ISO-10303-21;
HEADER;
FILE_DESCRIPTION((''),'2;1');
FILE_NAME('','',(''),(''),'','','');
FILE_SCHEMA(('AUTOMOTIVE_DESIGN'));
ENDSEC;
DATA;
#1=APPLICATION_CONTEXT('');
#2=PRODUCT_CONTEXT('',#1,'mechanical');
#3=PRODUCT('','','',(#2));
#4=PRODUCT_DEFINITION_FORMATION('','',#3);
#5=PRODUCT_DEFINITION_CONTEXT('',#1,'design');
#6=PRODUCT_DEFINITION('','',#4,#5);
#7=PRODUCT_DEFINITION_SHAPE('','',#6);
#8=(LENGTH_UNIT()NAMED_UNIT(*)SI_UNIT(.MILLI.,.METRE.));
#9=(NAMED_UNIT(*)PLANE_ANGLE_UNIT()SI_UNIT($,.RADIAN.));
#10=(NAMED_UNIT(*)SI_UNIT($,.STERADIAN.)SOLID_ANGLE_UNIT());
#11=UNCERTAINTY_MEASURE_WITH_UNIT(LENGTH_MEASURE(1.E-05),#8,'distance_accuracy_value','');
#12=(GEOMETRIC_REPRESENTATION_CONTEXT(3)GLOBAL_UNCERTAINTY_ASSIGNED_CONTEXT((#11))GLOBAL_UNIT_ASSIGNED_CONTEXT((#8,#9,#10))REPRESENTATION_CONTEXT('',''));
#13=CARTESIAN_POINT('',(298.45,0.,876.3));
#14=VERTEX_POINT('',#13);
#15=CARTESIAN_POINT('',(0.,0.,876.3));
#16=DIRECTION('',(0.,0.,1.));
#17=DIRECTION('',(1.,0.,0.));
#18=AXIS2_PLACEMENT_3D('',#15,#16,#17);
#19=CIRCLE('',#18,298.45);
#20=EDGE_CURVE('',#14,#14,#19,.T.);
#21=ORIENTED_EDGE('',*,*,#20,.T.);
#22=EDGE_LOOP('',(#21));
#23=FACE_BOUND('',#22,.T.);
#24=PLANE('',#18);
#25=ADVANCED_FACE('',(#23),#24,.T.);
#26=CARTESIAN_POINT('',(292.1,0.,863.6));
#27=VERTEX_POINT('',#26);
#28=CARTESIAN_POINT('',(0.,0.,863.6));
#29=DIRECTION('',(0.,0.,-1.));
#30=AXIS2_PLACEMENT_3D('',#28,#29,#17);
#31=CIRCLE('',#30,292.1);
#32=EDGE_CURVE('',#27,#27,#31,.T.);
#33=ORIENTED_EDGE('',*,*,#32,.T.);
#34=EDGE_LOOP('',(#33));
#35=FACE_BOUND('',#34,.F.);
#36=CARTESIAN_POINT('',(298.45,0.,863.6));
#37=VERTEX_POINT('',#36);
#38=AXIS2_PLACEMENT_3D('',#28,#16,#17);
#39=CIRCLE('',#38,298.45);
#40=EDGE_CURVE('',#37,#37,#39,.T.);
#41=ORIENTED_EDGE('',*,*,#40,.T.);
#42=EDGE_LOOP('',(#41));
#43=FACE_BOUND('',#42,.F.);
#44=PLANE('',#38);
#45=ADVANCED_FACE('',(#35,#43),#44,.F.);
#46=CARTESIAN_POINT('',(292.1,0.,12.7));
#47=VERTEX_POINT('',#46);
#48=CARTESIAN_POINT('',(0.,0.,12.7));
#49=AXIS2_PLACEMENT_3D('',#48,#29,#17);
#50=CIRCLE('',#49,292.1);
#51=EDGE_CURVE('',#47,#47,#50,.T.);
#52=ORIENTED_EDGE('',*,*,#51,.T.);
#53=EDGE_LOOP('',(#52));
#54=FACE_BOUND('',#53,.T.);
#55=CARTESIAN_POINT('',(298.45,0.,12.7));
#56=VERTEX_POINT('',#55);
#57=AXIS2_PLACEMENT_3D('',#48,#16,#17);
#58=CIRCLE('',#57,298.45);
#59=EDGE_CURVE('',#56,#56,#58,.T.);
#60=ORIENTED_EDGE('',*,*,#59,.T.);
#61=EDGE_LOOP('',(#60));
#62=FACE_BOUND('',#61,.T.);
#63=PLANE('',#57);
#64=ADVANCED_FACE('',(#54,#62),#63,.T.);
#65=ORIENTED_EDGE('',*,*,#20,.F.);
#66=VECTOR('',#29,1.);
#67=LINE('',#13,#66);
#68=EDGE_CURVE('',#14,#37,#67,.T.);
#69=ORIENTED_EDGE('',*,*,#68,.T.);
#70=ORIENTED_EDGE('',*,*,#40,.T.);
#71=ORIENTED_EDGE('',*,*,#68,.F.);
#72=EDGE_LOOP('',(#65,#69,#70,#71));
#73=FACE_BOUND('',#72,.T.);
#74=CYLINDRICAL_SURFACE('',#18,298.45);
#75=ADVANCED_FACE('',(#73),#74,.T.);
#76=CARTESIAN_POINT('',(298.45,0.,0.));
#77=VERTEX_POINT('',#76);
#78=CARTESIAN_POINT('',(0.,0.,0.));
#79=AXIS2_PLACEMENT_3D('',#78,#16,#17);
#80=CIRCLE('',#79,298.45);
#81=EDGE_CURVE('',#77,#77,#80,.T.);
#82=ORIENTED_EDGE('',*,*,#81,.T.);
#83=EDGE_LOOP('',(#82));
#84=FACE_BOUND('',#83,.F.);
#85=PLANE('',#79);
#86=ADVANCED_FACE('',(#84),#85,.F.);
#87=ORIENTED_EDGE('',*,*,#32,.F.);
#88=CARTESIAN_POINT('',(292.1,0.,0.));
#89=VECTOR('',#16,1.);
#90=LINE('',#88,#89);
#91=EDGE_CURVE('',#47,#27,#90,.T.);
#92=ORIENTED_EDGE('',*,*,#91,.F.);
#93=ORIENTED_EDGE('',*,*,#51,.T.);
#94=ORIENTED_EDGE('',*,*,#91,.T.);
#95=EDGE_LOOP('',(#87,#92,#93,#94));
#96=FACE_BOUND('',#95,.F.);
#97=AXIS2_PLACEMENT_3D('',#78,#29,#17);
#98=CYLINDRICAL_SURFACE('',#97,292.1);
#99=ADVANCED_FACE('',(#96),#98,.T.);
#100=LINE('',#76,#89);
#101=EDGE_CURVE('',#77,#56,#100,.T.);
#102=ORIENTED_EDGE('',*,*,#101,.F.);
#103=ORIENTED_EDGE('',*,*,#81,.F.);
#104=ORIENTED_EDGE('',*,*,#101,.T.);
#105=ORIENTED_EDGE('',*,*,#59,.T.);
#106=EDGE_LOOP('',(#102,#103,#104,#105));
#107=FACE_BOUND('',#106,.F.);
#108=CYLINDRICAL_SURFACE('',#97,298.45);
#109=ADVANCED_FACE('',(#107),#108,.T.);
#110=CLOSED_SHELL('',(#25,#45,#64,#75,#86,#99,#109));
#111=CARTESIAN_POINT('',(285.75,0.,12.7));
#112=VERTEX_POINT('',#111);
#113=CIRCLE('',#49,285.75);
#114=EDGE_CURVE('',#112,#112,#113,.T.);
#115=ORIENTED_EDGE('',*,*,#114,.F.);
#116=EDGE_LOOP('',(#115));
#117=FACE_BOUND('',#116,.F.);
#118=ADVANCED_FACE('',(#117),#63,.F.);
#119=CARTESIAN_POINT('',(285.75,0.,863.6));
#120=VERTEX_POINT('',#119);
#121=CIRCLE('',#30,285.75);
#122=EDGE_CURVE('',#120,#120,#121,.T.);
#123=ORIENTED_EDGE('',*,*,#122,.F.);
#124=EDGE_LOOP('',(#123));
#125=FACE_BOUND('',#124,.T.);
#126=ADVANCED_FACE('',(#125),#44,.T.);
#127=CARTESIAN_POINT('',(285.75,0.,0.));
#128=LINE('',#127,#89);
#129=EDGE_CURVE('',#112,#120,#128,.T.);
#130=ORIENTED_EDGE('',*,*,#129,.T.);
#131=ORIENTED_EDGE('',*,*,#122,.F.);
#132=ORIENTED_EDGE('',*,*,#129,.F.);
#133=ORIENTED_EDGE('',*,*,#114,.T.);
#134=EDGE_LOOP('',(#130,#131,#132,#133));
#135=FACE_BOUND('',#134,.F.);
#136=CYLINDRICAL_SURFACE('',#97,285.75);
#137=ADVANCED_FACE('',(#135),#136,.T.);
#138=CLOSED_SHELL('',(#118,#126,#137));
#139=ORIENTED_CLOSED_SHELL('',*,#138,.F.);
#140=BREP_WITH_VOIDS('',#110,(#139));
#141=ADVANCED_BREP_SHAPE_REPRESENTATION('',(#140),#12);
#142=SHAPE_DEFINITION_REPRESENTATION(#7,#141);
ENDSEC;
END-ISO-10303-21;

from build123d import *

# Parameters (mm, degrees)
F0_R     = 298.45
F0_R_2   = 292.1
F0_R_3   = 285.75
F1_DEPTH = 12.7
F2_DEPTH = 876.3
F3_R     = 298.45
F4_DEPTH = 12.7


with BuildPart() as f1:
    # F0 (on Top) → F1 (new body)
    with BuildSketch(Plane.XY):
        Circle(F0_R)
        Circle(F0_R_2, mode=Mode.SUBTRACT)
        Circle(F0_R_2)
        Circle(F0_R_3, mode=Mode.SUBTRACT)
        Circle(F0_R_3)
    extrude(amount=F1_DEPTH)

    # F0 (on Top) → F2 (join)
    with BuildSketch(Plane.XY):
        Circle(F0_R_2)
        Circle(F0_R_3, mode=Mode.SUBTRACT)
    extrude(amount=F2_DEPTH)

    # F3 (on face) → F4 (join)
    with BuildSketch(Plane.XY.offset(876.3)):
        Circle(F3_R)
    extrude(amount=-F4_DEPTH)


solid = f1.part
